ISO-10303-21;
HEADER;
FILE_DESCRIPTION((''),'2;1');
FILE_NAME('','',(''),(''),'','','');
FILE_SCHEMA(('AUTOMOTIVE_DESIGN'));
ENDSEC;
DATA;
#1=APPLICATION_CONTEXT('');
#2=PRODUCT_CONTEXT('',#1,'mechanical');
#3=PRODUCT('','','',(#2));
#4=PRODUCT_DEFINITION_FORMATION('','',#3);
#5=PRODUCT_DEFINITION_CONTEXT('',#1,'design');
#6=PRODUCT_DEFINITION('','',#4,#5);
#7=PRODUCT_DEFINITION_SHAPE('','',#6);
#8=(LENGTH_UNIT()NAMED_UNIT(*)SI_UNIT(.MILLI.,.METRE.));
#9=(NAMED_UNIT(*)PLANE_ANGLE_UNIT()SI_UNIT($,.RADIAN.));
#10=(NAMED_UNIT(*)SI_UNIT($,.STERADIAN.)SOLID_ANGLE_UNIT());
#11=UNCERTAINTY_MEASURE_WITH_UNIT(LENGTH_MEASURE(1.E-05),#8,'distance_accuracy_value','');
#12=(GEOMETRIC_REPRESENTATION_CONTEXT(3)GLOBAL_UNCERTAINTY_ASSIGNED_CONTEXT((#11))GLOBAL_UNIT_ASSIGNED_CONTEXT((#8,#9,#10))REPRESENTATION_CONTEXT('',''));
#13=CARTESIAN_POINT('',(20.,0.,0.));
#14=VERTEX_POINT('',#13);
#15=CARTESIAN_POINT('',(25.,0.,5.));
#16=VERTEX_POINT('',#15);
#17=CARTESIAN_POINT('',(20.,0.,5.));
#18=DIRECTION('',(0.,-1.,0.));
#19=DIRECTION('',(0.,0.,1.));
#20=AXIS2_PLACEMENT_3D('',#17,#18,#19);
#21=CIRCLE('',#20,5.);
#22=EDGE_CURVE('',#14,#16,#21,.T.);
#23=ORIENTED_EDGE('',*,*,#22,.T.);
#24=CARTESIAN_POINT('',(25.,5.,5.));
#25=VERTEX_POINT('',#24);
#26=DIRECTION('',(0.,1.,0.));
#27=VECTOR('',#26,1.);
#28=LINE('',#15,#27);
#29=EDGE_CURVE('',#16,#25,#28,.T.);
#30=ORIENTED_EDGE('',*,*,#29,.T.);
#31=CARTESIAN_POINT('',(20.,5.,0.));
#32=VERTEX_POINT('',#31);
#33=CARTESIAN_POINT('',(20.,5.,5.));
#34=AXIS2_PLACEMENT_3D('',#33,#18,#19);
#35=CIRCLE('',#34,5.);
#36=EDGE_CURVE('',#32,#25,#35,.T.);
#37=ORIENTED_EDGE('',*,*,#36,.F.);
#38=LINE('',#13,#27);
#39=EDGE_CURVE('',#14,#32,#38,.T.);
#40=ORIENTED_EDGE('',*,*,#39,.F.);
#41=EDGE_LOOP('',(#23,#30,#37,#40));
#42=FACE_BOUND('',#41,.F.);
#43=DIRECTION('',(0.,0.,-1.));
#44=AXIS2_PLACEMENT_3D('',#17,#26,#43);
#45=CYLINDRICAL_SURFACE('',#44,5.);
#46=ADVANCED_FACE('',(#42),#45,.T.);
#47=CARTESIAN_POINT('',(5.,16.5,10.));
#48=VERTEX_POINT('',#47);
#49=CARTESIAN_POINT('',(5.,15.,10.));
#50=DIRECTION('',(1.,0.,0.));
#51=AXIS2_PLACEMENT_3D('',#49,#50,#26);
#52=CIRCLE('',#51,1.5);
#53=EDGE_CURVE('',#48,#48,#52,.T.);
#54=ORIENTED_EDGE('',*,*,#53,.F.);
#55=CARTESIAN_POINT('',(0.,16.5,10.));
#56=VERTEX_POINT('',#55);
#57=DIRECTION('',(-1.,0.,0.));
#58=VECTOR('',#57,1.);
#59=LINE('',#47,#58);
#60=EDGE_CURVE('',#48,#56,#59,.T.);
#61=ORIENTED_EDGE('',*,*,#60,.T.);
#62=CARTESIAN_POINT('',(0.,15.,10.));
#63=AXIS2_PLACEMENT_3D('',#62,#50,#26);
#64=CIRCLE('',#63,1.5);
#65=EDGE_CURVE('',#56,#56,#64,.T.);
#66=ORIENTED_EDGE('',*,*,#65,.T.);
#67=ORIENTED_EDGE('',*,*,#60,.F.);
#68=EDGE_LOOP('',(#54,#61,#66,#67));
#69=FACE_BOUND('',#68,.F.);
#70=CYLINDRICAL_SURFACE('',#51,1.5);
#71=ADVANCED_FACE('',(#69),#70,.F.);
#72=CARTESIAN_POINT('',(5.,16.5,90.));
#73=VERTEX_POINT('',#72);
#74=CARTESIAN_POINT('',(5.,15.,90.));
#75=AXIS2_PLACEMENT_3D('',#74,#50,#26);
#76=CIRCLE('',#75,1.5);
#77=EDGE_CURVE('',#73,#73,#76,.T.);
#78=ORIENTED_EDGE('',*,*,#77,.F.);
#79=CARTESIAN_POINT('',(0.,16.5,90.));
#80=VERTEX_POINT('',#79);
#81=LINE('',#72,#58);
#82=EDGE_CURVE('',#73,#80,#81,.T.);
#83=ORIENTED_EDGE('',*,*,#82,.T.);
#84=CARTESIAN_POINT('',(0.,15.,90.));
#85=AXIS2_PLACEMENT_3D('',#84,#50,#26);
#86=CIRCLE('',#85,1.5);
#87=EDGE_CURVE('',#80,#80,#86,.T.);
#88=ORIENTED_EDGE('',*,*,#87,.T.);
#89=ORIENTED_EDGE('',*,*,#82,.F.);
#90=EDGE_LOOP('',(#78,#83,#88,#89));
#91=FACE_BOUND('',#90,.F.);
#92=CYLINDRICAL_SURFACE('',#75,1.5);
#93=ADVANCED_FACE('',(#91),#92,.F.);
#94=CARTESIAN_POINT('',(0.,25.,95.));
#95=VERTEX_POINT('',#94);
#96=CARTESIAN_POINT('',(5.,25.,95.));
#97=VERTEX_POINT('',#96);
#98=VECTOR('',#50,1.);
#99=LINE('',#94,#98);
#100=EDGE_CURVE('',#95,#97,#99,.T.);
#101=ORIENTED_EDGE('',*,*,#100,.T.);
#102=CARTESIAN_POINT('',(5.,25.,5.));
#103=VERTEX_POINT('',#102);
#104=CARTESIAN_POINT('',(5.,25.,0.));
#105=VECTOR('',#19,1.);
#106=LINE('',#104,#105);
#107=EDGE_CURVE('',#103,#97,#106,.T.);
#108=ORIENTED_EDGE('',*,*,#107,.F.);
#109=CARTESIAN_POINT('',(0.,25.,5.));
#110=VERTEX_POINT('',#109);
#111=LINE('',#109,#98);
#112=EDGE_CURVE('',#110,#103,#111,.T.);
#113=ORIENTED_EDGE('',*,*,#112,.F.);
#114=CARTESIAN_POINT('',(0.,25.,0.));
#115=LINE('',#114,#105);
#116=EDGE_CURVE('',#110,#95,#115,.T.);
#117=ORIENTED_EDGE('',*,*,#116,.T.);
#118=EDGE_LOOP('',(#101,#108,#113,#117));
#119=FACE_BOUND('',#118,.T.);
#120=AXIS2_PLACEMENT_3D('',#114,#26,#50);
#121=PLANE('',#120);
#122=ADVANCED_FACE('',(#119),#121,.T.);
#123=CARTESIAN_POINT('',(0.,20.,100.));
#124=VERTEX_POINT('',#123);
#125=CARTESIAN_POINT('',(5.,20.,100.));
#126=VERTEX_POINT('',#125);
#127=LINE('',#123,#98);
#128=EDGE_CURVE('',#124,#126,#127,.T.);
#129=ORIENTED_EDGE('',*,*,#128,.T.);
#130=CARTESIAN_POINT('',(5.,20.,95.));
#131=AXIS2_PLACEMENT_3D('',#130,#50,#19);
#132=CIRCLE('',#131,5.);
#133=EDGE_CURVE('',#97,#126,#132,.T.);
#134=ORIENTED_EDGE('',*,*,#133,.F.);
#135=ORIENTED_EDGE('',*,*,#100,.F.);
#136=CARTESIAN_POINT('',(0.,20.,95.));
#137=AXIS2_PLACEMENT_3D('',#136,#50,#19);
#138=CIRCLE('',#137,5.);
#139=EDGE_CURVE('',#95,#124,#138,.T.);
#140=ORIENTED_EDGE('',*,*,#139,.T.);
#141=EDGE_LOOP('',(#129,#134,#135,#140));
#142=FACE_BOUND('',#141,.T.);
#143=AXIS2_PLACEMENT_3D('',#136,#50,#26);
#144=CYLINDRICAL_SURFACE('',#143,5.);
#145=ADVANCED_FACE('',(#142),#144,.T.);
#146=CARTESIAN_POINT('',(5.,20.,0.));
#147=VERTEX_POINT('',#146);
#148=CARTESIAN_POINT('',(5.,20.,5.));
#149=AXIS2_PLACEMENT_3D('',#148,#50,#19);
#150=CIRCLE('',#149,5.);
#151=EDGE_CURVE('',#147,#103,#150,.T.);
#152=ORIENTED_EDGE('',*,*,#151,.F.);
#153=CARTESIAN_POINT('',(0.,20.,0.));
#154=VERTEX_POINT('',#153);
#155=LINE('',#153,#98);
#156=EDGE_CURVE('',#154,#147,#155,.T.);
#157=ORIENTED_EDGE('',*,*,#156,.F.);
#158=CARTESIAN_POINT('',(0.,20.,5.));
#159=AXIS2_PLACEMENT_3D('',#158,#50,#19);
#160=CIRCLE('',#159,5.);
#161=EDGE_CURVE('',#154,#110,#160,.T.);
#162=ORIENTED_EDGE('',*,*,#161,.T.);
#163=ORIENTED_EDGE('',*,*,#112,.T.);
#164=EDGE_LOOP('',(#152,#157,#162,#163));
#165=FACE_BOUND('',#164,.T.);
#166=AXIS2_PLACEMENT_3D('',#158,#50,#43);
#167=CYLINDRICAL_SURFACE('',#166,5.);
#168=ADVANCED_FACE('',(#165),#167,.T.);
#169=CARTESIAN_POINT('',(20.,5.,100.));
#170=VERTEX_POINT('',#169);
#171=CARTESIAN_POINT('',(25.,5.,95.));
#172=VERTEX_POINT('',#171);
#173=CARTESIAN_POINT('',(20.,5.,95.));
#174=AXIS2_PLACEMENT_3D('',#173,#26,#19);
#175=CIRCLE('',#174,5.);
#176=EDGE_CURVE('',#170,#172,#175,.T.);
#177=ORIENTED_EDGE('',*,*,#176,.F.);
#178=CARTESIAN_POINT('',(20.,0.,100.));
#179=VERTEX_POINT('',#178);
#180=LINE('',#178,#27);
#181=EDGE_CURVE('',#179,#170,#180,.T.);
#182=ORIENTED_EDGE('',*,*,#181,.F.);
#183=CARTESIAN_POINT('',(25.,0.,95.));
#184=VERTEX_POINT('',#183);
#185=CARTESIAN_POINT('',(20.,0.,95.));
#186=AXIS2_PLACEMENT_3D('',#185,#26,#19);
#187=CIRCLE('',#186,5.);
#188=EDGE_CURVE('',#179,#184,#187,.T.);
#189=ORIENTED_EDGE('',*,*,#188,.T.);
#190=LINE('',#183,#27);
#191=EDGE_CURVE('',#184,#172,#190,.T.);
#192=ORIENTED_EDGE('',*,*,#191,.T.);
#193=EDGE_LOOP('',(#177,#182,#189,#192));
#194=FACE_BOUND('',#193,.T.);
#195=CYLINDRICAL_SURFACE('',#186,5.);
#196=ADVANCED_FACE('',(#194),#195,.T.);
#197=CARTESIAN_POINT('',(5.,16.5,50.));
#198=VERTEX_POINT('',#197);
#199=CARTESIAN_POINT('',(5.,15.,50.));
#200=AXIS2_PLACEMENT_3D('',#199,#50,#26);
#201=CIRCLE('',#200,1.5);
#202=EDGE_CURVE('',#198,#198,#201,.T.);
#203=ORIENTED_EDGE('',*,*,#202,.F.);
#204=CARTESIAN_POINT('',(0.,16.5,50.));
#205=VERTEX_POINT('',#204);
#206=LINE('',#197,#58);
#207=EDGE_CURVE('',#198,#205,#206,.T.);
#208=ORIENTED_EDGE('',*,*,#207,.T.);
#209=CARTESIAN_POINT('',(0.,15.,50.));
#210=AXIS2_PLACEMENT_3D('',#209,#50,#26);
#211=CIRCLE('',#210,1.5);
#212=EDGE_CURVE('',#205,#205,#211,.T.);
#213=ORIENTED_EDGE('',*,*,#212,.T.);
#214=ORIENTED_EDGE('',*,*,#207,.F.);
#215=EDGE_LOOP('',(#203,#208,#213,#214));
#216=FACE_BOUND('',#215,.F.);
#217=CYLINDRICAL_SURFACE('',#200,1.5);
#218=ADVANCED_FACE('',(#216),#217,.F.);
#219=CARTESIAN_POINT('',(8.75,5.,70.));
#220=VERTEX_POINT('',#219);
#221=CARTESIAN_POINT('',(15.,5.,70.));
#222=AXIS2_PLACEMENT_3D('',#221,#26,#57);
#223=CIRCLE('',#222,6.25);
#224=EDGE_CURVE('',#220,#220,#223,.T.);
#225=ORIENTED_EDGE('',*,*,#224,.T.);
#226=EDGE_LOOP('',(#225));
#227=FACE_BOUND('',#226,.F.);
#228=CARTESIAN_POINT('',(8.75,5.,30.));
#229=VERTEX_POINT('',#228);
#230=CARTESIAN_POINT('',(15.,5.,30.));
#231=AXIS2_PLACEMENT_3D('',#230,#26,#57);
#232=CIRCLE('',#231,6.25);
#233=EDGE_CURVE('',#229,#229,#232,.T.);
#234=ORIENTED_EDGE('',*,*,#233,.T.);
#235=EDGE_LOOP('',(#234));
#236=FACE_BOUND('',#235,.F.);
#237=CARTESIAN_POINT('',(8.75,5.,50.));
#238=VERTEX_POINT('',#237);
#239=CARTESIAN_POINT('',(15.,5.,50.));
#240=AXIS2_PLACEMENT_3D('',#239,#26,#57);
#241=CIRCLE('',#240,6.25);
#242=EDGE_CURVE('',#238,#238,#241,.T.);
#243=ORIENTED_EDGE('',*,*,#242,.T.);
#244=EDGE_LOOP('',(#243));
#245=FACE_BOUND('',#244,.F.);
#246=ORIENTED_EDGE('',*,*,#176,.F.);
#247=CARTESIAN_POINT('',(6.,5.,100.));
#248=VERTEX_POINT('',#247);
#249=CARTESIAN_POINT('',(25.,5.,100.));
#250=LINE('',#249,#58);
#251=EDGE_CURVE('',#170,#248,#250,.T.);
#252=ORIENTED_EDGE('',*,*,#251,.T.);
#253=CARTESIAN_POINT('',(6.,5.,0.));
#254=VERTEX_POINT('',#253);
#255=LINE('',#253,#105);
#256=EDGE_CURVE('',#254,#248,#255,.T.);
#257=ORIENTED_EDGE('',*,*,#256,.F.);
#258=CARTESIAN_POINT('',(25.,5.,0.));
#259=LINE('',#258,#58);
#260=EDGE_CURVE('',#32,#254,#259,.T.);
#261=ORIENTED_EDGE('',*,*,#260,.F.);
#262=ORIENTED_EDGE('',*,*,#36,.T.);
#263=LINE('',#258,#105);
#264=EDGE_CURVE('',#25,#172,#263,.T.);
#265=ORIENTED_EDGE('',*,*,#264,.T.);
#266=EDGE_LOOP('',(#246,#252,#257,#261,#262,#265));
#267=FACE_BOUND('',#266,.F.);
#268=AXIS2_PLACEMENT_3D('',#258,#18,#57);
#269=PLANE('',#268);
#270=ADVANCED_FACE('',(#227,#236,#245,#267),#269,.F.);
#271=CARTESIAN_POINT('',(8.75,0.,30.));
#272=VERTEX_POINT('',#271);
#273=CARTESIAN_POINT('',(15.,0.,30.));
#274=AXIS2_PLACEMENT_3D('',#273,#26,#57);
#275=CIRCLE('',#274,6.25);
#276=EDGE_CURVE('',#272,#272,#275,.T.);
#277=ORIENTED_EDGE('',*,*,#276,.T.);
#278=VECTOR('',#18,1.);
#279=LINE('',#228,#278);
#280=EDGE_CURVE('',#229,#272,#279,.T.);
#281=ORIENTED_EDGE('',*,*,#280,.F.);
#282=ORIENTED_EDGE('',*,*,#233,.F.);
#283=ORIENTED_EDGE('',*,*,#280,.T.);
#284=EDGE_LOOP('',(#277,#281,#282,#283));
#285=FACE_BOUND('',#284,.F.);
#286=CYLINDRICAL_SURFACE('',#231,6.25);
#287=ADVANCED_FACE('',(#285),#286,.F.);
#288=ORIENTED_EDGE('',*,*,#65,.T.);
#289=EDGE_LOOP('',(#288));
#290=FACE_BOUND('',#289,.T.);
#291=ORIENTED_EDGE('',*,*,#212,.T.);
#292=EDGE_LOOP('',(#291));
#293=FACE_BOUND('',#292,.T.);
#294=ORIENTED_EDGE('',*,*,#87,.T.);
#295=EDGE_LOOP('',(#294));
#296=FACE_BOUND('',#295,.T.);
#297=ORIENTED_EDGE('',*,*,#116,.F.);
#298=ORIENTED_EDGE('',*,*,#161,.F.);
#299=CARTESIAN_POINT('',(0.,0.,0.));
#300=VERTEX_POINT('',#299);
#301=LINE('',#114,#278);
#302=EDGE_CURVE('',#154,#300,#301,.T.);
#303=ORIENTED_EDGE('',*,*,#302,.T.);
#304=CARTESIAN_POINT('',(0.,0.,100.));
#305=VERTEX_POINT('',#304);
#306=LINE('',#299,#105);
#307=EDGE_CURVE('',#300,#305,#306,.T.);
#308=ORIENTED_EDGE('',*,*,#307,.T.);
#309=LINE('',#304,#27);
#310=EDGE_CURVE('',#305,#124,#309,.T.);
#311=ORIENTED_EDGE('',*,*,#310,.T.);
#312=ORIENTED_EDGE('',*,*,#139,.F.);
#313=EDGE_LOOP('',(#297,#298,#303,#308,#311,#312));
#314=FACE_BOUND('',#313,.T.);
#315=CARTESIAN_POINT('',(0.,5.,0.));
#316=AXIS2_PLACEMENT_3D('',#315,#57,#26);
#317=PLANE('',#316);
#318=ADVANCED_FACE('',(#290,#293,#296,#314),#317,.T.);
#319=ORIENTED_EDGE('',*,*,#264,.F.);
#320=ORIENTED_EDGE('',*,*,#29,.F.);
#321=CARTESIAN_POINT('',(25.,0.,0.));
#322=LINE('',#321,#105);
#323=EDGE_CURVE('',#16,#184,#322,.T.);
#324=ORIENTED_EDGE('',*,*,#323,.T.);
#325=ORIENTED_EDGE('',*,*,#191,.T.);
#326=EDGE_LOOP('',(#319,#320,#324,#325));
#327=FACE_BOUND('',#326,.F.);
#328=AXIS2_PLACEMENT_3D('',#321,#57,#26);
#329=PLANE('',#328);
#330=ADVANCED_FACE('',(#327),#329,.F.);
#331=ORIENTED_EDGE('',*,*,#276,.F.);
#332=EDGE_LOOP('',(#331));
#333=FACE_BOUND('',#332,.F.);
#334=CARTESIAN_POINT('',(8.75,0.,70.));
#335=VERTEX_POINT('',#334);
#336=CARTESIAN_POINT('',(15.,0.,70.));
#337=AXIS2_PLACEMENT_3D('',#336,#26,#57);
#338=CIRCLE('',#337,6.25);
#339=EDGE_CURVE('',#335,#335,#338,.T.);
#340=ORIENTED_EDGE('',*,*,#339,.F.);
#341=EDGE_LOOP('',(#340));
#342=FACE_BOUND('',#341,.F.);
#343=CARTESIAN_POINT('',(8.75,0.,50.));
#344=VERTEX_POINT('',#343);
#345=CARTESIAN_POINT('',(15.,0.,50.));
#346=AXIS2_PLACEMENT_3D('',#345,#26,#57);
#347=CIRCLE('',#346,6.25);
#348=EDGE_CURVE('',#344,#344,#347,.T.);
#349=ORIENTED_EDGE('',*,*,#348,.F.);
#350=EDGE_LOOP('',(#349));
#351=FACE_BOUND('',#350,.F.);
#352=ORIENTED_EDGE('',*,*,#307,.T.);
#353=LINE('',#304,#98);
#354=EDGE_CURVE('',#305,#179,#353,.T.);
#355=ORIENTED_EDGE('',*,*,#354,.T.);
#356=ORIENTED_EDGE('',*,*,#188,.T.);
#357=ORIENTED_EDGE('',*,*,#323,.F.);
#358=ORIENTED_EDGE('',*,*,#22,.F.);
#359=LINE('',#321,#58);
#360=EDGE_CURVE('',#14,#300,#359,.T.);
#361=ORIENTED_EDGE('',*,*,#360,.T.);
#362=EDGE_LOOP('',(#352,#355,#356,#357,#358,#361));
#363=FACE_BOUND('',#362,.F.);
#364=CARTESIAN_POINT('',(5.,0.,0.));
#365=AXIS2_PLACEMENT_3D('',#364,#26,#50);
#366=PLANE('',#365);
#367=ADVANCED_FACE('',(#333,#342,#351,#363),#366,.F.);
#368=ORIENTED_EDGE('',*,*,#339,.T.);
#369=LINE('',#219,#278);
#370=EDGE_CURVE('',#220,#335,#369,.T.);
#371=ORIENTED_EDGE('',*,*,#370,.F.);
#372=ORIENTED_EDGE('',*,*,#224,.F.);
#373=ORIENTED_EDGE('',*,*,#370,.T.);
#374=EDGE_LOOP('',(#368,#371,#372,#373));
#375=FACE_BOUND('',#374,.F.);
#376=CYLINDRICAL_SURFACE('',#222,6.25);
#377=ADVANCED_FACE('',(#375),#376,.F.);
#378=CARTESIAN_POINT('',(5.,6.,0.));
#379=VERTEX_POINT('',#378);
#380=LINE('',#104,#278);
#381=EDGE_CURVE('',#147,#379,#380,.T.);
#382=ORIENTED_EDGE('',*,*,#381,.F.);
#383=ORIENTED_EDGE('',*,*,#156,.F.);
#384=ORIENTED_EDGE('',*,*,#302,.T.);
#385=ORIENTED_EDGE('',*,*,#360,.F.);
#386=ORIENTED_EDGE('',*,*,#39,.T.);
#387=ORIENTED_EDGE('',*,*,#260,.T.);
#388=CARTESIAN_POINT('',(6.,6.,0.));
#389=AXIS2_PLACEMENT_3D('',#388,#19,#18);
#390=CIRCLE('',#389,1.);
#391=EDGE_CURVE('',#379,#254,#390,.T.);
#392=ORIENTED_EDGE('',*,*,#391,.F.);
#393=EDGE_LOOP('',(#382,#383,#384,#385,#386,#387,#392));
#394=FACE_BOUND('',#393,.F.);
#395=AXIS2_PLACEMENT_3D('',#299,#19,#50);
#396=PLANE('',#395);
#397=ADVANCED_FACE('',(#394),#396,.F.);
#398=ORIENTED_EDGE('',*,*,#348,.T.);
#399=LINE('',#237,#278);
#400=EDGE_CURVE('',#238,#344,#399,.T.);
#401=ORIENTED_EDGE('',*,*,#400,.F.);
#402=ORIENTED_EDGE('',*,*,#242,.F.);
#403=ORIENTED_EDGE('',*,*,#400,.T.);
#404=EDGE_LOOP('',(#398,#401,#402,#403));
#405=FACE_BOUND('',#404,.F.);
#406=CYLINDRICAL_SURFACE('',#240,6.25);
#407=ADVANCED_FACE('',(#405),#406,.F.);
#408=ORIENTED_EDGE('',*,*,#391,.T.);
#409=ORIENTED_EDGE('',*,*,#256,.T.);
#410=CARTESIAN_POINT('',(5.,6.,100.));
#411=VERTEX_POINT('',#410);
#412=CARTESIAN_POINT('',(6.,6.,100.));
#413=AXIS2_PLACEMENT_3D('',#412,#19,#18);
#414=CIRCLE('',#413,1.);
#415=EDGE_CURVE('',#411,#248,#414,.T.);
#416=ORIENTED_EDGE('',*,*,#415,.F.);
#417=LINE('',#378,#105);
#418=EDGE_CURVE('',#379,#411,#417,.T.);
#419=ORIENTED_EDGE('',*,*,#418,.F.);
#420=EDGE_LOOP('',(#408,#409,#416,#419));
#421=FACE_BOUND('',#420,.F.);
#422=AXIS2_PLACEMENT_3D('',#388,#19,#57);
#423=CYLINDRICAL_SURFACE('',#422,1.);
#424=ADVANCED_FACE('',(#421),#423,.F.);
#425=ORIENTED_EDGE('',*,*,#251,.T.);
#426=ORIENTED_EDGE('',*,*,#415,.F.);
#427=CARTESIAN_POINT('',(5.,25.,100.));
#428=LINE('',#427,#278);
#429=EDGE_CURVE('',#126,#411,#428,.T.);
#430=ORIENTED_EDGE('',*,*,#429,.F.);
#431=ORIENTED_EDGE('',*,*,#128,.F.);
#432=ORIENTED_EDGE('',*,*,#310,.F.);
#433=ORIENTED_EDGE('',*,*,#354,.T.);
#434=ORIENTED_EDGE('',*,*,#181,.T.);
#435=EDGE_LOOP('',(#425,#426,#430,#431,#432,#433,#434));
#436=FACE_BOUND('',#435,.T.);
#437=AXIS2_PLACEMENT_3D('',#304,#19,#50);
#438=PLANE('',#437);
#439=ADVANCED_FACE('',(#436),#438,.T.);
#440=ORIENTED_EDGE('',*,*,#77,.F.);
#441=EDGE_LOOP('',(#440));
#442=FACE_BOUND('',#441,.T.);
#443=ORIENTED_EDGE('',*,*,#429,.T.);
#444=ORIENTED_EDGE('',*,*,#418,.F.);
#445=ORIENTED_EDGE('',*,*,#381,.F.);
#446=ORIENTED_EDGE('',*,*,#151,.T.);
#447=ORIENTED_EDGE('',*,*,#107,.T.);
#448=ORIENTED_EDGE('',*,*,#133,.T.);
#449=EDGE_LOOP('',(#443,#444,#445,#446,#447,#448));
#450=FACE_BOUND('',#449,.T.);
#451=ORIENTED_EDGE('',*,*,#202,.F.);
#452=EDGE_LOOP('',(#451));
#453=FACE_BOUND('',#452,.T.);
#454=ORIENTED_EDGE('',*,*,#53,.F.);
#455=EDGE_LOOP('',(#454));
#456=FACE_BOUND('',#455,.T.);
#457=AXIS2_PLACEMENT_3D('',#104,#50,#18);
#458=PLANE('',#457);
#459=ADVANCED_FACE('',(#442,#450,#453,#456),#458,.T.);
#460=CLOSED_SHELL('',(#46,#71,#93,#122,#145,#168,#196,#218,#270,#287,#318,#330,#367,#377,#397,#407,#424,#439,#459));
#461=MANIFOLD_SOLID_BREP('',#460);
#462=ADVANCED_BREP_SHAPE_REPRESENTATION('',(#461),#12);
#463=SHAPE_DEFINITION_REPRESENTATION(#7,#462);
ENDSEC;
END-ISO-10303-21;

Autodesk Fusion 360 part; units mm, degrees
sketch "Sketch1" plane through (0, 0, 0) normal (0, 0, 1) x (1, 0, 0)
  line L0 (0, 25) -> (5, 25)
  line L1 (5, 25) -> (5, 5)
  line L2 (5, 0) -> (0, 0)
  line L3 (0, 0) -> (0, 25)
  line L4 (0, 0) -> (25, 0)
  line L5 (25, 0) -> (25, 5)
  line L6 (25, 5) -> (5, 5)
  line L7 (0, 5) -> (0, 0)
  dimension "d1" = 5
  dimension "d6" = 5
  dimension "d7" = 25
  dimension "d8" = 25
extrude "Extrude1" add sketch "Sketch1" along normal blind 100
sketch "Sketch2" plane through (0, 5, 0) normal (0, 1, 0) x (-1, 0, 0)
  line L0 (-25, 0) -> (-5, 0)
  line L1 (-5, 0) -> (-5, 100)
  line L2 (-5, 100) -> (-25, 100)
  line L3 (-25, 100) -> (-25, 0)
  circle A0 centre (-15, 70) radius 6.25
  circle A1 centre (-15, 50) radius 6.25
  circle A2 centre (-15, 30) radius 6.25
  line L4 (0, 0) -> (0, 100)
  dimension "d12" = 12.5
  dimension "d13" = 12.5
  dimension "d14" = 12.5
  dimension "d15" = 20
  dimension "d16" = 20
  dimension "d17" = 30
  dimension "d19" = 10
  dimension "d20" = 10
  dimension "d21" = 10
  dimension "d22" = 30
  dimension "d48" = 15
extrude "Extrude2" cut sketch "Sketch2" against normal blind 10 contours A0 | A1 | A2
sketch "Sketch3" plane through (5, 0, 0) normal (1, 0, 0) x (0, 1, 0)
  line L0 (5, 0) -> (25, 0)
  line L1 (25, 0) -> (25, 100)
  line L2 (25, 100) -> (5, 100)
  line L3 (5, 100) -> (5, 0)
  circle A0 centre (15, 10) radius 1.5
  circle A1 centre (15, 50) radius 1.5
  circle A2 centre (15, 90) radius 1.5
  dimension "d25" = 3
  dimension "d26" = 3
  dimension "d27" = 3
  dimension "d28" = 10
  dimension "d29" = 40
  dimension "d30" = 40
  dimension "d32" = 10
  dimension "d33" = 10
  dimension "d34" = 10
  dimension "d35" = 10
extrude "Extrude3" cut sketch "Sketch3" against normal blind 10 contours A0 | A1 | A2
fillet "Fillet1" radius 1 1 edges at (5, 5, 50)
fillet "Fillet2" radius 5 1 edges at (2.5, 25, 100)
fillet "Fillet3" radius 5 1 edges at (25, 2.5, 100)
fillet "Fillet4" radius 5 1 edges at (2.5, 25, 0)
fillet "Fillet5" radius 5 1 edges at (25, 2.5, 0)
